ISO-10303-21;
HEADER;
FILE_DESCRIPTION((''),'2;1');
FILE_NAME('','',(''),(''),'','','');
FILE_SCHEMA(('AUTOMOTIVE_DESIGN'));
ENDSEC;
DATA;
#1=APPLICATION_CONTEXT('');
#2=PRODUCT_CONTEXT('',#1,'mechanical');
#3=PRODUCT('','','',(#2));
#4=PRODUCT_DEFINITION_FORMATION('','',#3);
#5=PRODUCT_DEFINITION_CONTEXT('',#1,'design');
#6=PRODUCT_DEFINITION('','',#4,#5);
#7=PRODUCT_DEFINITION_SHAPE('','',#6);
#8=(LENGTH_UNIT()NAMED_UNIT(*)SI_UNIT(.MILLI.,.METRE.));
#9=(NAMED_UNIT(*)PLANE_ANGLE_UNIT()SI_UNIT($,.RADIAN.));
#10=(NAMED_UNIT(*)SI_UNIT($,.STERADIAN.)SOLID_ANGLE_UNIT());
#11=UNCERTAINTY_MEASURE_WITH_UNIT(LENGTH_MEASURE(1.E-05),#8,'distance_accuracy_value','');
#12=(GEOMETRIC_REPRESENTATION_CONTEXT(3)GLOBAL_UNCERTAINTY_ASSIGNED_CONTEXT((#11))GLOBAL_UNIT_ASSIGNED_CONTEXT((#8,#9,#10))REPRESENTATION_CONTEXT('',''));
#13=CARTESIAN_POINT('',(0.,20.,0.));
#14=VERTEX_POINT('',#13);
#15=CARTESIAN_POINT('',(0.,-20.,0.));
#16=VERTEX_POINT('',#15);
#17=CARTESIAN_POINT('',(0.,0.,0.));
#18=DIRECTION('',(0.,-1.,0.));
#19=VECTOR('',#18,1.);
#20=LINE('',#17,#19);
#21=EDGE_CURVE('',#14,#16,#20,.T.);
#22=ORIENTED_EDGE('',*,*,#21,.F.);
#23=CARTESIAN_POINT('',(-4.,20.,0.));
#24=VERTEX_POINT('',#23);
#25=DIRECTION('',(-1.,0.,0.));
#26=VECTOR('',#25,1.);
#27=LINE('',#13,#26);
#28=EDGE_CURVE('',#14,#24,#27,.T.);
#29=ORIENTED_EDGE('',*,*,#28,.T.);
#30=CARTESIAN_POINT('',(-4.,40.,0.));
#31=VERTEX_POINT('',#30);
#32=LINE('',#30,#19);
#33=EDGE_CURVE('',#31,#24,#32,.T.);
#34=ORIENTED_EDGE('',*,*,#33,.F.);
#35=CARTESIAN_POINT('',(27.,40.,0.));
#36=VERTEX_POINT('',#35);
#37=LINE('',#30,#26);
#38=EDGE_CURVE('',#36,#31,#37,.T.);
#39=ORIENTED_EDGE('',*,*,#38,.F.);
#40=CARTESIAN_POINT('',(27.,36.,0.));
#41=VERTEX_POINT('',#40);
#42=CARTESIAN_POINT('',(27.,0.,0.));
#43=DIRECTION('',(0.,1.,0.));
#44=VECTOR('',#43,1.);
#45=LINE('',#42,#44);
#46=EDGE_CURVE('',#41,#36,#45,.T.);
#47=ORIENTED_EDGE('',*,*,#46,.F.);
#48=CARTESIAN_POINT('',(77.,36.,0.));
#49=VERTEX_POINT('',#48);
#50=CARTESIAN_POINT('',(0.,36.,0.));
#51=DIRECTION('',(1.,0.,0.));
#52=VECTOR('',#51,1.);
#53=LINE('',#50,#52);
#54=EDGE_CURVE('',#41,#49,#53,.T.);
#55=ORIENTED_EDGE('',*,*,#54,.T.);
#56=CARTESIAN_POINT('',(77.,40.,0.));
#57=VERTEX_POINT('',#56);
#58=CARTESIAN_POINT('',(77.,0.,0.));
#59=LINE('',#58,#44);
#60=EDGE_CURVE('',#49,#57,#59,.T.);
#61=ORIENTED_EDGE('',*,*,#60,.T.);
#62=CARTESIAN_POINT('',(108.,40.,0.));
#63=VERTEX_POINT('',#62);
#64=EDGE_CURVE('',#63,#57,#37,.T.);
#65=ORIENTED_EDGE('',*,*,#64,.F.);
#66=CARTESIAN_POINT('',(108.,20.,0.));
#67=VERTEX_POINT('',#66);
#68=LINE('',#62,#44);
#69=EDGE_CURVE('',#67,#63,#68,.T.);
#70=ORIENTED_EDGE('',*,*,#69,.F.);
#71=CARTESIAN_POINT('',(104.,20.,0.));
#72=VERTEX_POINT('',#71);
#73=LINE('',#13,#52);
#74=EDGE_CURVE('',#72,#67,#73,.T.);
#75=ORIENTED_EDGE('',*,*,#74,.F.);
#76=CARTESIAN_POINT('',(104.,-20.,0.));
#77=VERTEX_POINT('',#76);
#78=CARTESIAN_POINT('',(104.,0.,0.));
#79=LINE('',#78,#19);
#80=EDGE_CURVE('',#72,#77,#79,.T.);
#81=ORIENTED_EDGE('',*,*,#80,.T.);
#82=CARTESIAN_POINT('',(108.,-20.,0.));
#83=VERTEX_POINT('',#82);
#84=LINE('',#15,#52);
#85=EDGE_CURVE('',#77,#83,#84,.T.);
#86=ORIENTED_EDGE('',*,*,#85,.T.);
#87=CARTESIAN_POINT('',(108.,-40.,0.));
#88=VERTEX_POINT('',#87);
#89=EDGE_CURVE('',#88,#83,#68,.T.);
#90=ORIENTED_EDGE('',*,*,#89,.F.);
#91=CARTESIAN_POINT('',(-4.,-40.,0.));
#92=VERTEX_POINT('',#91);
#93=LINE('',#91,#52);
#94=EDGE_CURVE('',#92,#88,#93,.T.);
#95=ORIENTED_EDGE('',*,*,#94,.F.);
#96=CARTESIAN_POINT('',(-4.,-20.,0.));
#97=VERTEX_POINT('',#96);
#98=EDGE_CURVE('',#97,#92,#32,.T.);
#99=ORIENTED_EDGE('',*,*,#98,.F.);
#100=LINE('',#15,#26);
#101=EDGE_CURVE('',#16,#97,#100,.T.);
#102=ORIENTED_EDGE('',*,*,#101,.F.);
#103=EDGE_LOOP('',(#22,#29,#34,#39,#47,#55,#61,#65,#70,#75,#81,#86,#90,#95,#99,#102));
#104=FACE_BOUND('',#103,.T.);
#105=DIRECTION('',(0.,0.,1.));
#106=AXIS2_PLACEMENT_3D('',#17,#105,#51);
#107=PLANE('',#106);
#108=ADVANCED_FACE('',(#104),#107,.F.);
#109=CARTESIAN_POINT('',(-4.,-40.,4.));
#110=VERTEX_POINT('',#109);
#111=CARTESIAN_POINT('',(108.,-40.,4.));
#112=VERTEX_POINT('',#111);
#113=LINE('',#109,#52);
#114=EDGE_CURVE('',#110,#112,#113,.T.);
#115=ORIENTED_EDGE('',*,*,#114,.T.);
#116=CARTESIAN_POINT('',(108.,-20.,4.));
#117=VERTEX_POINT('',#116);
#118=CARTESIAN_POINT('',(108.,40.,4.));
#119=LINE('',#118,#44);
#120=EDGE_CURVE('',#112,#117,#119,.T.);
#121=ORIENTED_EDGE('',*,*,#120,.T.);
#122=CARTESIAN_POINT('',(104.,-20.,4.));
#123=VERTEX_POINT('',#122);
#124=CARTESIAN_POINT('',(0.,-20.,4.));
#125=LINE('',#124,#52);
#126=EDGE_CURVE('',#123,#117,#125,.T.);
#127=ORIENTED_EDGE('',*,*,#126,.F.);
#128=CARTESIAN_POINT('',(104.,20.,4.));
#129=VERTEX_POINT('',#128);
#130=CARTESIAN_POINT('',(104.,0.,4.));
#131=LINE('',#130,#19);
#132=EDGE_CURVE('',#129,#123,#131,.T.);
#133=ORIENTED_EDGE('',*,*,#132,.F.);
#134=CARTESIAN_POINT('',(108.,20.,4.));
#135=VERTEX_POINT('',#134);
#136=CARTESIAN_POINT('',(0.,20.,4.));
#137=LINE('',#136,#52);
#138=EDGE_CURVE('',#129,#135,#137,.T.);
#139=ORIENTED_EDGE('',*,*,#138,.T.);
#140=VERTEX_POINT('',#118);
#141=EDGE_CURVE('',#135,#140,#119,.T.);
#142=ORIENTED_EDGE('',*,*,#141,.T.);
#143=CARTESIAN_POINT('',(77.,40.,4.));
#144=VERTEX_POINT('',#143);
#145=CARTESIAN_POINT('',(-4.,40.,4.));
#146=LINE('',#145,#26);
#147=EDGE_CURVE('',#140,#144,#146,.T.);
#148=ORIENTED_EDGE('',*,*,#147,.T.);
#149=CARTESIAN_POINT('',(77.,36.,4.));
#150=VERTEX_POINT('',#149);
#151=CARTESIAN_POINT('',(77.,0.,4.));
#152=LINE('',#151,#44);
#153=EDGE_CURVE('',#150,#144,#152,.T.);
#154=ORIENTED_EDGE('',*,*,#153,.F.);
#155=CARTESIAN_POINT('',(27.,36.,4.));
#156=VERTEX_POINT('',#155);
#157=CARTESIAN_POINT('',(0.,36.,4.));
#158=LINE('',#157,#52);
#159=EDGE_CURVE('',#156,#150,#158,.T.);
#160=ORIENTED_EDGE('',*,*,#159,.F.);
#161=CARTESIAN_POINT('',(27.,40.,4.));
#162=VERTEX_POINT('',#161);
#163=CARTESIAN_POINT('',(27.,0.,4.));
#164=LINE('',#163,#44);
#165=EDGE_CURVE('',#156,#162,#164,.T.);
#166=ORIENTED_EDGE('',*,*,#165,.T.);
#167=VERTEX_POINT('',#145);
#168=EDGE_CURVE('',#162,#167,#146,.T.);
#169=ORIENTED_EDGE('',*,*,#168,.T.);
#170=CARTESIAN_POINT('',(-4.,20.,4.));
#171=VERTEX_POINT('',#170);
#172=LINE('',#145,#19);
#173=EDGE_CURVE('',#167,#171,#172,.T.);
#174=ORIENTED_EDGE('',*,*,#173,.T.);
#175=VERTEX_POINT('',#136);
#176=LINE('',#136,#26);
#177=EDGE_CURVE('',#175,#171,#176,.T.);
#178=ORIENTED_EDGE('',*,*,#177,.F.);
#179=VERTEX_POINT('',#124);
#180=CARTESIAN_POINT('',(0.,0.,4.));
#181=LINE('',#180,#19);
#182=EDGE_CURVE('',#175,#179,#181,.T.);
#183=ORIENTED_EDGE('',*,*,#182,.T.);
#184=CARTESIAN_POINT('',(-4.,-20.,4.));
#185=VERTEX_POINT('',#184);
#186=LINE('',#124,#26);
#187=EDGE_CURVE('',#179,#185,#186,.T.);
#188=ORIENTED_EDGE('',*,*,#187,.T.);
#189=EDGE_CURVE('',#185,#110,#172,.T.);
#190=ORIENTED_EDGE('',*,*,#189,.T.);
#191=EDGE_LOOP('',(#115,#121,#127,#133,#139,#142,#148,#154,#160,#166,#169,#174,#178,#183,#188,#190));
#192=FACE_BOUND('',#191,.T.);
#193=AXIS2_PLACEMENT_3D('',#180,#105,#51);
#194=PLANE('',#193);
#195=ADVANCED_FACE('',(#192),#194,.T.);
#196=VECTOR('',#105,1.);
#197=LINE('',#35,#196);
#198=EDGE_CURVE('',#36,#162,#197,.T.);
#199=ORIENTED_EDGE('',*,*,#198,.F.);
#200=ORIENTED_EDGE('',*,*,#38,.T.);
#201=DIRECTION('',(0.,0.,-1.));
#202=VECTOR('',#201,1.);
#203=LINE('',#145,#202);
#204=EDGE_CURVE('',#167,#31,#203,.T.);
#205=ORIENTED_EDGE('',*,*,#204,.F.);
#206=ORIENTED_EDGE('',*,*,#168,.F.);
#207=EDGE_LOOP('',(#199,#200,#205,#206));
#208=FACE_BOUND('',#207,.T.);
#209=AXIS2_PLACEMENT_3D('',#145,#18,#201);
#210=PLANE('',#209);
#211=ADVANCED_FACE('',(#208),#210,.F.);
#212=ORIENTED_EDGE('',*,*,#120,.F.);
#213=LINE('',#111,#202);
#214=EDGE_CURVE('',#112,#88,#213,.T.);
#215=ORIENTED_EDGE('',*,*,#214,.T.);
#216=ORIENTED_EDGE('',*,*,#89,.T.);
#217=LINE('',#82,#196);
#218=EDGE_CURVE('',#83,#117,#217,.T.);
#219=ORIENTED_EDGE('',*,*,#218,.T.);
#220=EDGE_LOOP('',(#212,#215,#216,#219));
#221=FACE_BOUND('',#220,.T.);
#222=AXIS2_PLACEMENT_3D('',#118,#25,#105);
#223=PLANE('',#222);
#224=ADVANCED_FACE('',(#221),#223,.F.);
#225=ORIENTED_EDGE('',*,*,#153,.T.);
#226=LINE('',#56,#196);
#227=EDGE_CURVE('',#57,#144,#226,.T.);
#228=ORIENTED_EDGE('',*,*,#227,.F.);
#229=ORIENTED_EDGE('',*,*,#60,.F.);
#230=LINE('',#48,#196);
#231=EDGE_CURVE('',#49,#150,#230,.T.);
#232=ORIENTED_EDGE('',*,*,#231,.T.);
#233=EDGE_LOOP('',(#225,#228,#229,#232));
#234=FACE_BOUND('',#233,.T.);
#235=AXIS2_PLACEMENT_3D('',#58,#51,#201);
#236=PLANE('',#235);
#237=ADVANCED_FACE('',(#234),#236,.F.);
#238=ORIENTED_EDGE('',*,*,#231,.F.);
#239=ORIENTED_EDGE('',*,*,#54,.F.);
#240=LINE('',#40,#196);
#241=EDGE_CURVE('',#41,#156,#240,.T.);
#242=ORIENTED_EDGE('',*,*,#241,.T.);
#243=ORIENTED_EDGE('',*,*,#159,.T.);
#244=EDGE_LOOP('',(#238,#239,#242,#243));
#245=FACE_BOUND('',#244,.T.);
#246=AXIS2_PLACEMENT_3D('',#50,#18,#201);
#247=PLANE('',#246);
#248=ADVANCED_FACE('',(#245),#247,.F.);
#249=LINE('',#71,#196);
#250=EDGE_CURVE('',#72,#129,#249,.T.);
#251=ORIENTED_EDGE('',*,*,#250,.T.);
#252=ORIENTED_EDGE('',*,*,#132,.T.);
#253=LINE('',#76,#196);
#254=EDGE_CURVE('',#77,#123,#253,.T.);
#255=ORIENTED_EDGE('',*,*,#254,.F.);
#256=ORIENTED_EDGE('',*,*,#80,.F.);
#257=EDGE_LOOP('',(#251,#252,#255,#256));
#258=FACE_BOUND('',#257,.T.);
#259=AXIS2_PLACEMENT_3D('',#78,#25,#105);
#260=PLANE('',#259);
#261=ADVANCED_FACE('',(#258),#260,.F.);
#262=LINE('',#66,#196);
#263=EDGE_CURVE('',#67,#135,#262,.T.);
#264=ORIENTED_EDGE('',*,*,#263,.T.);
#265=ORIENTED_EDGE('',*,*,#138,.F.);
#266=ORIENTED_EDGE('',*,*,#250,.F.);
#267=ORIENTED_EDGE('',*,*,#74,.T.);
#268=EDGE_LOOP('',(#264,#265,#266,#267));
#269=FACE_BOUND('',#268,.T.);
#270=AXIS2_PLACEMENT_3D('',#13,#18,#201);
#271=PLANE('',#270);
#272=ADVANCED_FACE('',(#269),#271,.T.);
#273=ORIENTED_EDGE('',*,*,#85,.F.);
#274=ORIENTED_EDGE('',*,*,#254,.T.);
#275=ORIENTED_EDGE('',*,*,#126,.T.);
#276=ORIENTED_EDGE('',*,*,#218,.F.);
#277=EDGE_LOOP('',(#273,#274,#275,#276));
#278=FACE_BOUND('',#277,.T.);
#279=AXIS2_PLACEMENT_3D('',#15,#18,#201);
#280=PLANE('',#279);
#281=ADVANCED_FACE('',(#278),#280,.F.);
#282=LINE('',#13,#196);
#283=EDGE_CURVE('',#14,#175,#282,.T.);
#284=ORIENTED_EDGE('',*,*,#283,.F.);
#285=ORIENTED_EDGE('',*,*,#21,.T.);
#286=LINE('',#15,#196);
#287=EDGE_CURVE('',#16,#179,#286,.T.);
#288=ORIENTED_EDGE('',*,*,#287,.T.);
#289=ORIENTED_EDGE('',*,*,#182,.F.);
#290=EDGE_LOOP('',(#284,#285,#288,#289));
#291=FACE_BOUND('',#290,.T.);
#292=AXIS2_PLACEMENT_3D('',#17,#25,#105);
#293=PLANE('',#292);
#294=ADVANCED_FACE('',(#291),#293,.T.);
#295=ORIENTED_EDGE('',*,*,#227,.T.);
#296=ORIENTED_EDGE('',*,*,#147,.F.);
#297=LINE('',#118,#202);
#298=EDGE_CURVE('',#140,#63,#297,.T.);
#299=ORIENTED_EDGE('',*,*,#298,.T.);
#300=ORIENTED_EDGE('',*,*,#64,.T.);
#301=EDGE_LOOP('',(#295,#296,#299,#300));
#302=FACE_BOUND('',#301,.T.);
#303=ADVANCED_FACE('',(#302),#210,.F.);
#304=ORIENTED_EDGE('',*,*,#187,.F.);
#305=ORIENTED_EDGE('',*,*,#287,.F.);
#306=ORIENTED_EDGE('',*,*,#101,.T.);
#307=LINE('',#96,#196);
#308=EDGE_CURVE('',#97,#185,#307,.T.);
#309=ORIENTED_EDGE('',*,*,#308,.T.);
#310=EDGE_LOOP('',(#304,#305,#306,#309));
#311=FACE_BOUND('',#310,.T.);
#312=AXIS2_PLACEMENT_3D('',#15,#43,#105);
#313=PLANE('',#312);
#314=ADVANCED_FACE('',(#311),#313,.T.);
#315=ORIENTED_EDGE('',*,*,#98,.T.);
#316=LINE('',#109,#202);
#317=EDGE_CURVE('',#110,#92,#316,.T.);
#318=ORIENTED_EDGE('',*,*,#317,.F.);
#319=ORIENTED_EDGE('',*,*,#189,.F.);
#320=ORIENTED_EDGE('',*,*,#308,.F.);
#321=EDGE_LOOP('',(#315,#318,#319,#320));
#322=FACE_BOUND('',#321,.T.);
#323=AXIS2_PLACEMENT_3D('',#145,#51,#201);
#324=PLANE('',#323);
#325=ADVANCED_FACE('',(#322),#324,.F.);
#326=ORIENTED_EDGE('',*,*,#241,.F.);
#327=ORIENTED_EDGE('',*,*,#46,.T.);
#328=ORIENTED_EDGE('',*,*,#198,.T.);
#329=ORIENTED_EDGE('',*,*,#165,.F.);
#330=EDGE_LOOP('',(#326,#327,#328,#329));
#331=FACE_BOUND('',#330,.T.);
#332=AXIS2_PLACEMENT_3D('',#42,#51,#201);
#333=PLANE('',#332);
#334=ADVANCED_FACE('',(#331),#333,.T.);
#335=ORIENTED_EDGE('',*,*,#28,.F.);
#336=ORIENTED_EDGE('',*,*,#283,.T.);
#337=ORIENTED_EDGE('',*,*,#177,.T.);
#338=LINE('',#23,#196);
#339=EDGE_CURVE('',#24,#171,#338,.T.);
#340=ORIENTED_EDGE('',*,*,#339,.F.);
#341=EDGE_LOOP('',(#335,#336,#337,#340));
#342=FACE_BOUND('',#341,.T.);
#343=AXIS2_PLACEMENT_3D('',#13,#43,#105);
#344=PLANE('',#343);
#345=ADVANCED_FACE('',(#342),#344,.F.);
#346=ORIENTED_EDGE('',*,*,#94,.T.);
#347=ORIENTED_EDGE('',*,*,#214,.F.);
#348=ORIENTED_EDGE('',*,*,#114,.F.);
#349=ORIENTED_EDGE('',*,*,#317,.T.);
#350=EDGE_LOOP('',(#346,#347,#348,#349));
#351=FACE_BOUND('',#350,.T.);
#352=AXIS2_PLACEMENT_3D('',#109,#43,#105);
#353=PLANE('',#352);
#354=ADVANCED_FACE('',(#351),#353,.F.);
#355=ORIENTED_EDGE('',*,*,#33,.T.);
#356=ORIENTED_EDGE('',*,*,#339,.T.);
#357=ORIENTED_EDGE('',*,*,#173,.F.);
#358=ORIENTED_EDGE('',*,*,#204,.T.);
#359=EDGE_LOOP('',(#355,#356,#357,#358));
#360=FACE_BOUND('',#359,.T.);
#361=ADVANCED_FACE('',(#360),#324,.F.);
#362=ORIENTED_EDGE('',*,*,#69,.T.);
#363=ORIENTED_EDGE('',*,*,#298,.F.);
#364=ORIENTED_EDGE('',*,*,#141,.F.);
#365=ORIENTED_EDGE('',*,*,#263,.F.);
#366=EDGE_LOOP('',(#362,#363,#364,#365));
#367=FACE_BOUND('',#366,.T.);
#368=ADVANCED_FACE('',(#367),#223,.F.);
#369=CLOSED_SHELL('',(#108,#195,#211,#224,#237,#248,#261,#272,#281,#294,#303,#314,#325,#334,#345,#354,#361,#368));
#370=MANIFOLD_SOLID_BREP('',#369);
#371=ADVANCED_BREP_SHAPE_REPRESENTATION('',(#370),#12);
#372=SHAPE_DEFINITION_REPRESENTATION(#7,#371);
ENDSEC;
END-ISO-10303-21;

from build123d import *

# Parameters (mm, degrees)
SKETCH_1_W          = 112
SKETCH_1_H          = 80
EXTRUDE_1_DEPTH     = 4
SKETCH_2_W          = 4
SKETCH_2_H          = 40
SKETCH_2_W_2        = 50
SKETCH_2_H_2        = 4
CUT_EXTRUDE_1_DEPTH = 4


with BuildPart() as part:
    # 스케치1 → 보스-돌출1 (new body)
    with BuildSketch(Plane.XY):
        with Locations((52, 0)):
            Rectangle(SKETCH_1_W, SKETCH_1_H)
    extrude(amount=EXTRUDE_1_DEPTH)

    # 스케치2 → 컷-돌출1 (cut)
    with BuildSketch(Plane.XY.offset(4)):
        with Locations((-2, 0)):
            Rectangle(SKETCH_2_W, SKETCH_2_H)
        with Locations((52, 38)):
            Rectangle(SKETCH_2_W_2, SKETCH_2_H_2)
        with Locations((106, 0)):
            Rectangle(SKETCH_2_W, SKETCH_2_H)
    extrude(amount=-CUT_EXTRUDE_1_DEPTH, mode=Mode.SUBTRACT)


solid = part.part
